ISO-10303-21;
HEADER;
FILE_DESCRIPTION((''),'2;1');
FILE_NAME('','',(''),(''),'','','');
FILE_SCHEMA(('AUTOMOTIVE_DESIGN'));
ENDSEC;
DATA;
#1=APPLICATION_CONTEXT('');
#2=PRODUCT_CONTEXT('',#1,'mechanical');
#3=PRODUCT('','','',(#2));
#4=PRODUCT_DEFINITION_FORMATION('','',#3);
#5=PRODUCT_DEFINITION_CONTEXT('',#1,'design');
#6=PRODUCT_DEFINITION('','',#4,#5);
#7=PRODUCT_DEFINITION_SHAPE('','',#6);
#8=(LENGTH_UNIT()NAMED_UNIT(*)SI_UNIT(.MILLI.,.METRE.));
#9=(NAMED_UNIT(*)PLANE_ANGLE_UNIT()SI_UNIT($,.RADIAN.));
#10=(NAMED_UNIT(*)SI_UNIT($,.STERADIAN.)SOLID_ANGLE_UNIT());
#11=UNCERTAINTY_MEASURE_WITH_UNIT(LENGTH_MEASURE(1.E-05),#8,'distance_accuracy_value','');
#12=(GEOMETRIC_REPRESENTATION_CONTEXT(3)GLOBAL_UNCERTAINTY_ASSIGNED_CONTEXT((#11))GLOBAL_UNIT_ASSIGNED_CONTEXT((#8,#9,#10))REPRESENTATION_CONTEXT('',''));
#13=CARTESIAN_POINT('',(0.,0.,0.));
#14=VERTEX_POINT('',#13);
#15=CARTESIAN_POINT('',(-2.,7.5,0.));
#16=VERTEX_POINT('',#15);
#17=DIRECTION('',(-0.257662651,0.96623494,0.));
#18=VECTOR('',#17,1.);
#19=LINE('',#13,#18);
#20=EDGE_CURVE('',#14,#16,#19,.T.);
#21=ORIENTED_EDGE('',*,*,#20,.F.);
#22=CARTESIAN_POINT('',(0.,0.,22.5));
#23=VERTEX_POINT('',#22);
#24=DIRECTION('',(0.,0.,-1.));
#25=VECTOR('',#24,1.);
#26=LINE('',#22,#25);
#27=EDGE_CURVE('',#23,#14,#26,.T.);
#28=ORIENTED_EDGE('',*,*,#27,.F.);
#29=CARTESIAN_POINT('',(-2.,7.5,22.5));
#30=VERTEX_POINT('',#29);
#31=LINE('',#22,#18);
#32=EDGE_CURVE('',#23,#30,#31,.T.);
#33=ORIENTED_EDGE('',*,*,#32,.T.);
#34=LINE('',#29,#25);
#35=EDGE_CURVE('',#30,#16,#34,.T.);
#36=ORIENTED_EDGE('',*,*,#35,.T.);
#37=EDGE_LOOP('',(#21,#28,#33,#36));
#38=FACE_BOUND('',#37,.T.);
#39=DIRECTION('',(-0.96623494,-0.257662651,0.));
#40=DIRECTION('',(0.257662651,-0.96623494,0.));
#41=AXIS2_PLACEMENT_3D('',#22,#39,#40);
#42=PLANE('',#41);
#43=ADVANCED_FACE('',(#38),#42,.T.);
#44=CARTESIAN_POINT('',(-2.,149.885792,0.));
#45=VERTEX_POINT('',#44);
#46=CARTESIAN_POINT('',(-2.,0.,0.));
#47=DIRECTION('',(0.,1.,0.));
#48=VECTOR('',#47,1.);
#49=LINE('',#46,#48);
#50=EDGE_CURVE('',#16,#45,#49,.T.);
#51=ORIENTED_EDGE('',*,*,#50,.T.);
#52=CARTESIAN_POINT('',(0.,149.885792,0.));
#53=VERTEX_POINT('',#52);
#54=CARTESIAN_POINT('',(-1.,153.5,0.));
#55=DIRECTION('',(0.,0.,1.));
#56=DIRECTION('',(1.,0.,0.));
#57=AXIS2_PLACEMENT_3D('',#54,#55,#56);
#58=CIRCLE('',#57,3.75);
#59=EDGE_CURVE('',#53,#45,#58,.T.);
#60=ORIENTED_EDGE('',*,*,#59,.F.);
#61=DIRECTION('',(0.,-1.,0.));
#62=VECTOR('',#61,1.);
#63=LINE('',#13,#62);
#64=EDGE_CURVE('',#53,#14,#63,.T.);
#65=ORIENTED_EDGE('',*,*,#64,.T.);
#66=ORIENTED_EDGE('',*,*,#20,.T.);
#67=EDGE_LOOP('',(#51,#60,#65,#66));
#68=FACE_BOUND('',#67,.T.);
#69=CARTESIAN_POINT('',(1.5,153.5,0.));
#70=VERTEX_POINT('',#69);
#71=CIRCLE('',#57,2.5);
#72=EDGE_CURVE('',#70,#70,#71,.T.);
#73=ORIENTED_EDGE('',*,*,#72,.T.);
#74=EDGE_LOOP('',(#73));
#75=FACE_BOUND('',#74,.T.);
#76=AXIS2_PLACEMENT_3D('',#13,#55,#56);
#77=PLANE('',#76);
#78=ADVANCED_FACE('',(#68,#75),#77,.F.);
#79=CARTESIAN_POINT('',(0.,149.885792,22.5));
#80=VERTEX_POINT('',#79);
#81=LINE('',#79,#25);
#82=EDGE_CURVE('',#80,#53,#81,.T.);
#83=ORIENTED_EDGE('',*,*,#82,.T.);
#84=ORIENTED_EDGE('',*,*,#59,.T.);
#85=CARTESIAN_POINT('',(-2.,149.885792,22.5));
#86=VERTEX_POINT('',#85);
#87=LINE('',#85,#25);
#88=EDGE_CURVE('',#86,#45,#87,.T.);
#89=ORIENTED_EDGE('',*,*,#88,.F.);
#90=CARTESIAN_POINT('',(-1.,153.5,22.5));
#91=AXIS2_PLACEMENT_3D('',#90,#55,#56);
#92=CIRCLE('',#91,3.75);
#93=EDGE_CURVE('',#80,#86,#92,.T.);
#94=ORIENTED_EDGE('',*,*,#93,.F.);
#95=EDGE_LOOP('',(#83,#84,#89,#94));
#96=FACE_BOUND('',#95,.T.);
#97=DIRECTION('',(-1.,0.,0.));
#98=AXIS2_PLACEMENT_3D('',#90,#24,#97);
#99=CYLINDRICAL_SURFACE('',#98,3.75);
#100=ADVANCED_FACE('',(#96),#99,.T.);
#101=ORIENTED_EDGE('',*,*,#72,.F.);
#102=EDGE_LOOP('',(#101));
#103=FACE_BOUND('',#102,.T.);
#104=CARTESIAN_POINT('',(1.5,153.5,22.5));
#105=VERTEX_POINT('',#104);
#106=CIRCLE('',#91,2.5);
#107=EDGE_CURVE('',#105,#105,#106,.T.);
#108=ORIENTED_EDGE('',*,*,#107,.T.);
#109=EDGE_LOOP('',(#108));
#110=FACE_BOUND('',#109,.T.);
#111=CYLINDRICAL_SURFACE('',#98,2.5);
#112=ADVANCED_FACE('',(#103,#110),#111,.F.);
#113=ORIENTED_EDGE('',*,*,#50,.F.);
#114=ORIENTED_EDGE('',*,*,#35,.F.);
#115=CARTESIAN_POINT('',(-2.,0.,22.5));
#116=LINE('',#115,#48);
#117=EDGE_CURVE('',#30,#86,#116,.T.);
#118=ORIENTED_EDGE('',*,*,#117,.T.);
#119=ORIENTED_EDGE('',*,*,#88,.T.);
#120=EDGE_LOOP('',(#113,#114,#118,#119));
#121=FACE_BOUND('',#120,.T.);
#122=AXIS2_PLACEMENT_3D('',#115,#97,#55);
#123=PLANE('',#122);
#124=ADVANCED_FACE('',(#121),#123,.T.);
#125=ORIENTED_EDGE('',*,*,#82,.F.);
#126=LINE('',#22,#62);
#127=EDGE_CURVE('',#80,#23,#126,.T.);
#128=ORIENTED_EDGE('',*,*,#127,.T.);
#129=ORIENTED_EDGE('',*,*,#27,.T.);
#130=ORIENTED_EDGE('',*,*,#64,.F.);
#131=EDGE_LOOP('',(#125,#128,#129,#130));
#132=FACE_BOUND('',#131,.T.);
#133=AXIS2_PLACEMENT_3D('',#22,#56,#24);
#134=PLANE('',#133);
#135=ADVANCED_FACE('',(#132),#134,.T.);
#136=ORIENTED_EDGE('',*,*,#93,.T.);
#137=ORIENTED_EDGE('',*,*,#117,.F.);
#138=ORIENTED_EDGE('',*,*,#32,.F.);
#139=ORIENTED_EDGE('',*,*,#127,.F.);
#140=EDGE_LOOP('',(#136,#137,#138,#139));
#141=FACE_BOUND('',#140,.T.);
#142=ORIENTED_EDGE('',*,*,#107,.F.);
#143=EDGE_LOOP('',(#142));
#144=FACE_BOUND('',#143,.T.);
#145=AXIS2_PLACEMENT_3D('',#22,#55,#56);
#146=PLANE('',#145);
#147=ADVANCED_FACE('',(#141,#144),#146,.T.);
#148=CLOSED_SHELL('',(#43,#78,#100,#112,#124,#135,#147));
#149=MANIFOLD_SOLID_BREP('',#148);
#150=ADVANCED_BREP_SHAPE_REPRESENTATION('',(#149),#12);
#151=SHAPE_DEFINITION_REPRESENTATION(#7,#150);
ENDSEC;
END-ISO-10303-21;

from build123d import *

# Parameters (mm, degrees)
CROQUIS3_R              = 3.75
CROQUIS3_R_2            = 2.5
SALIENTE_EXTRUIR1_DEPTH = 22.5


with BuildPart() as part:
    # Croquis3 → Saliente-Extruir1 (new body)
    with BuildSketch(Plane.XY):
        with Locations((-1, 153.5)):
            Circle(CROQUIS3_R)
        with Locations((-1, 153.5)):
            Circle(CROQUIS3_R_2, mode=Mode.SUBTRACT)
        with BuildLine():
            Line((0, 0), (0, 149.885791926))
            ThreePointArc((0, 149.885791926), (-1, 149.75), (-2, 149.885791926))
            Line((-2, 149.885791926), (-2, 7.5))
            Line((-2, 7.5), (0, 0))
        make_face()
    extrude(amount=SALIENTE_EXTRUIR1_DEPTH)


solid = part.part
